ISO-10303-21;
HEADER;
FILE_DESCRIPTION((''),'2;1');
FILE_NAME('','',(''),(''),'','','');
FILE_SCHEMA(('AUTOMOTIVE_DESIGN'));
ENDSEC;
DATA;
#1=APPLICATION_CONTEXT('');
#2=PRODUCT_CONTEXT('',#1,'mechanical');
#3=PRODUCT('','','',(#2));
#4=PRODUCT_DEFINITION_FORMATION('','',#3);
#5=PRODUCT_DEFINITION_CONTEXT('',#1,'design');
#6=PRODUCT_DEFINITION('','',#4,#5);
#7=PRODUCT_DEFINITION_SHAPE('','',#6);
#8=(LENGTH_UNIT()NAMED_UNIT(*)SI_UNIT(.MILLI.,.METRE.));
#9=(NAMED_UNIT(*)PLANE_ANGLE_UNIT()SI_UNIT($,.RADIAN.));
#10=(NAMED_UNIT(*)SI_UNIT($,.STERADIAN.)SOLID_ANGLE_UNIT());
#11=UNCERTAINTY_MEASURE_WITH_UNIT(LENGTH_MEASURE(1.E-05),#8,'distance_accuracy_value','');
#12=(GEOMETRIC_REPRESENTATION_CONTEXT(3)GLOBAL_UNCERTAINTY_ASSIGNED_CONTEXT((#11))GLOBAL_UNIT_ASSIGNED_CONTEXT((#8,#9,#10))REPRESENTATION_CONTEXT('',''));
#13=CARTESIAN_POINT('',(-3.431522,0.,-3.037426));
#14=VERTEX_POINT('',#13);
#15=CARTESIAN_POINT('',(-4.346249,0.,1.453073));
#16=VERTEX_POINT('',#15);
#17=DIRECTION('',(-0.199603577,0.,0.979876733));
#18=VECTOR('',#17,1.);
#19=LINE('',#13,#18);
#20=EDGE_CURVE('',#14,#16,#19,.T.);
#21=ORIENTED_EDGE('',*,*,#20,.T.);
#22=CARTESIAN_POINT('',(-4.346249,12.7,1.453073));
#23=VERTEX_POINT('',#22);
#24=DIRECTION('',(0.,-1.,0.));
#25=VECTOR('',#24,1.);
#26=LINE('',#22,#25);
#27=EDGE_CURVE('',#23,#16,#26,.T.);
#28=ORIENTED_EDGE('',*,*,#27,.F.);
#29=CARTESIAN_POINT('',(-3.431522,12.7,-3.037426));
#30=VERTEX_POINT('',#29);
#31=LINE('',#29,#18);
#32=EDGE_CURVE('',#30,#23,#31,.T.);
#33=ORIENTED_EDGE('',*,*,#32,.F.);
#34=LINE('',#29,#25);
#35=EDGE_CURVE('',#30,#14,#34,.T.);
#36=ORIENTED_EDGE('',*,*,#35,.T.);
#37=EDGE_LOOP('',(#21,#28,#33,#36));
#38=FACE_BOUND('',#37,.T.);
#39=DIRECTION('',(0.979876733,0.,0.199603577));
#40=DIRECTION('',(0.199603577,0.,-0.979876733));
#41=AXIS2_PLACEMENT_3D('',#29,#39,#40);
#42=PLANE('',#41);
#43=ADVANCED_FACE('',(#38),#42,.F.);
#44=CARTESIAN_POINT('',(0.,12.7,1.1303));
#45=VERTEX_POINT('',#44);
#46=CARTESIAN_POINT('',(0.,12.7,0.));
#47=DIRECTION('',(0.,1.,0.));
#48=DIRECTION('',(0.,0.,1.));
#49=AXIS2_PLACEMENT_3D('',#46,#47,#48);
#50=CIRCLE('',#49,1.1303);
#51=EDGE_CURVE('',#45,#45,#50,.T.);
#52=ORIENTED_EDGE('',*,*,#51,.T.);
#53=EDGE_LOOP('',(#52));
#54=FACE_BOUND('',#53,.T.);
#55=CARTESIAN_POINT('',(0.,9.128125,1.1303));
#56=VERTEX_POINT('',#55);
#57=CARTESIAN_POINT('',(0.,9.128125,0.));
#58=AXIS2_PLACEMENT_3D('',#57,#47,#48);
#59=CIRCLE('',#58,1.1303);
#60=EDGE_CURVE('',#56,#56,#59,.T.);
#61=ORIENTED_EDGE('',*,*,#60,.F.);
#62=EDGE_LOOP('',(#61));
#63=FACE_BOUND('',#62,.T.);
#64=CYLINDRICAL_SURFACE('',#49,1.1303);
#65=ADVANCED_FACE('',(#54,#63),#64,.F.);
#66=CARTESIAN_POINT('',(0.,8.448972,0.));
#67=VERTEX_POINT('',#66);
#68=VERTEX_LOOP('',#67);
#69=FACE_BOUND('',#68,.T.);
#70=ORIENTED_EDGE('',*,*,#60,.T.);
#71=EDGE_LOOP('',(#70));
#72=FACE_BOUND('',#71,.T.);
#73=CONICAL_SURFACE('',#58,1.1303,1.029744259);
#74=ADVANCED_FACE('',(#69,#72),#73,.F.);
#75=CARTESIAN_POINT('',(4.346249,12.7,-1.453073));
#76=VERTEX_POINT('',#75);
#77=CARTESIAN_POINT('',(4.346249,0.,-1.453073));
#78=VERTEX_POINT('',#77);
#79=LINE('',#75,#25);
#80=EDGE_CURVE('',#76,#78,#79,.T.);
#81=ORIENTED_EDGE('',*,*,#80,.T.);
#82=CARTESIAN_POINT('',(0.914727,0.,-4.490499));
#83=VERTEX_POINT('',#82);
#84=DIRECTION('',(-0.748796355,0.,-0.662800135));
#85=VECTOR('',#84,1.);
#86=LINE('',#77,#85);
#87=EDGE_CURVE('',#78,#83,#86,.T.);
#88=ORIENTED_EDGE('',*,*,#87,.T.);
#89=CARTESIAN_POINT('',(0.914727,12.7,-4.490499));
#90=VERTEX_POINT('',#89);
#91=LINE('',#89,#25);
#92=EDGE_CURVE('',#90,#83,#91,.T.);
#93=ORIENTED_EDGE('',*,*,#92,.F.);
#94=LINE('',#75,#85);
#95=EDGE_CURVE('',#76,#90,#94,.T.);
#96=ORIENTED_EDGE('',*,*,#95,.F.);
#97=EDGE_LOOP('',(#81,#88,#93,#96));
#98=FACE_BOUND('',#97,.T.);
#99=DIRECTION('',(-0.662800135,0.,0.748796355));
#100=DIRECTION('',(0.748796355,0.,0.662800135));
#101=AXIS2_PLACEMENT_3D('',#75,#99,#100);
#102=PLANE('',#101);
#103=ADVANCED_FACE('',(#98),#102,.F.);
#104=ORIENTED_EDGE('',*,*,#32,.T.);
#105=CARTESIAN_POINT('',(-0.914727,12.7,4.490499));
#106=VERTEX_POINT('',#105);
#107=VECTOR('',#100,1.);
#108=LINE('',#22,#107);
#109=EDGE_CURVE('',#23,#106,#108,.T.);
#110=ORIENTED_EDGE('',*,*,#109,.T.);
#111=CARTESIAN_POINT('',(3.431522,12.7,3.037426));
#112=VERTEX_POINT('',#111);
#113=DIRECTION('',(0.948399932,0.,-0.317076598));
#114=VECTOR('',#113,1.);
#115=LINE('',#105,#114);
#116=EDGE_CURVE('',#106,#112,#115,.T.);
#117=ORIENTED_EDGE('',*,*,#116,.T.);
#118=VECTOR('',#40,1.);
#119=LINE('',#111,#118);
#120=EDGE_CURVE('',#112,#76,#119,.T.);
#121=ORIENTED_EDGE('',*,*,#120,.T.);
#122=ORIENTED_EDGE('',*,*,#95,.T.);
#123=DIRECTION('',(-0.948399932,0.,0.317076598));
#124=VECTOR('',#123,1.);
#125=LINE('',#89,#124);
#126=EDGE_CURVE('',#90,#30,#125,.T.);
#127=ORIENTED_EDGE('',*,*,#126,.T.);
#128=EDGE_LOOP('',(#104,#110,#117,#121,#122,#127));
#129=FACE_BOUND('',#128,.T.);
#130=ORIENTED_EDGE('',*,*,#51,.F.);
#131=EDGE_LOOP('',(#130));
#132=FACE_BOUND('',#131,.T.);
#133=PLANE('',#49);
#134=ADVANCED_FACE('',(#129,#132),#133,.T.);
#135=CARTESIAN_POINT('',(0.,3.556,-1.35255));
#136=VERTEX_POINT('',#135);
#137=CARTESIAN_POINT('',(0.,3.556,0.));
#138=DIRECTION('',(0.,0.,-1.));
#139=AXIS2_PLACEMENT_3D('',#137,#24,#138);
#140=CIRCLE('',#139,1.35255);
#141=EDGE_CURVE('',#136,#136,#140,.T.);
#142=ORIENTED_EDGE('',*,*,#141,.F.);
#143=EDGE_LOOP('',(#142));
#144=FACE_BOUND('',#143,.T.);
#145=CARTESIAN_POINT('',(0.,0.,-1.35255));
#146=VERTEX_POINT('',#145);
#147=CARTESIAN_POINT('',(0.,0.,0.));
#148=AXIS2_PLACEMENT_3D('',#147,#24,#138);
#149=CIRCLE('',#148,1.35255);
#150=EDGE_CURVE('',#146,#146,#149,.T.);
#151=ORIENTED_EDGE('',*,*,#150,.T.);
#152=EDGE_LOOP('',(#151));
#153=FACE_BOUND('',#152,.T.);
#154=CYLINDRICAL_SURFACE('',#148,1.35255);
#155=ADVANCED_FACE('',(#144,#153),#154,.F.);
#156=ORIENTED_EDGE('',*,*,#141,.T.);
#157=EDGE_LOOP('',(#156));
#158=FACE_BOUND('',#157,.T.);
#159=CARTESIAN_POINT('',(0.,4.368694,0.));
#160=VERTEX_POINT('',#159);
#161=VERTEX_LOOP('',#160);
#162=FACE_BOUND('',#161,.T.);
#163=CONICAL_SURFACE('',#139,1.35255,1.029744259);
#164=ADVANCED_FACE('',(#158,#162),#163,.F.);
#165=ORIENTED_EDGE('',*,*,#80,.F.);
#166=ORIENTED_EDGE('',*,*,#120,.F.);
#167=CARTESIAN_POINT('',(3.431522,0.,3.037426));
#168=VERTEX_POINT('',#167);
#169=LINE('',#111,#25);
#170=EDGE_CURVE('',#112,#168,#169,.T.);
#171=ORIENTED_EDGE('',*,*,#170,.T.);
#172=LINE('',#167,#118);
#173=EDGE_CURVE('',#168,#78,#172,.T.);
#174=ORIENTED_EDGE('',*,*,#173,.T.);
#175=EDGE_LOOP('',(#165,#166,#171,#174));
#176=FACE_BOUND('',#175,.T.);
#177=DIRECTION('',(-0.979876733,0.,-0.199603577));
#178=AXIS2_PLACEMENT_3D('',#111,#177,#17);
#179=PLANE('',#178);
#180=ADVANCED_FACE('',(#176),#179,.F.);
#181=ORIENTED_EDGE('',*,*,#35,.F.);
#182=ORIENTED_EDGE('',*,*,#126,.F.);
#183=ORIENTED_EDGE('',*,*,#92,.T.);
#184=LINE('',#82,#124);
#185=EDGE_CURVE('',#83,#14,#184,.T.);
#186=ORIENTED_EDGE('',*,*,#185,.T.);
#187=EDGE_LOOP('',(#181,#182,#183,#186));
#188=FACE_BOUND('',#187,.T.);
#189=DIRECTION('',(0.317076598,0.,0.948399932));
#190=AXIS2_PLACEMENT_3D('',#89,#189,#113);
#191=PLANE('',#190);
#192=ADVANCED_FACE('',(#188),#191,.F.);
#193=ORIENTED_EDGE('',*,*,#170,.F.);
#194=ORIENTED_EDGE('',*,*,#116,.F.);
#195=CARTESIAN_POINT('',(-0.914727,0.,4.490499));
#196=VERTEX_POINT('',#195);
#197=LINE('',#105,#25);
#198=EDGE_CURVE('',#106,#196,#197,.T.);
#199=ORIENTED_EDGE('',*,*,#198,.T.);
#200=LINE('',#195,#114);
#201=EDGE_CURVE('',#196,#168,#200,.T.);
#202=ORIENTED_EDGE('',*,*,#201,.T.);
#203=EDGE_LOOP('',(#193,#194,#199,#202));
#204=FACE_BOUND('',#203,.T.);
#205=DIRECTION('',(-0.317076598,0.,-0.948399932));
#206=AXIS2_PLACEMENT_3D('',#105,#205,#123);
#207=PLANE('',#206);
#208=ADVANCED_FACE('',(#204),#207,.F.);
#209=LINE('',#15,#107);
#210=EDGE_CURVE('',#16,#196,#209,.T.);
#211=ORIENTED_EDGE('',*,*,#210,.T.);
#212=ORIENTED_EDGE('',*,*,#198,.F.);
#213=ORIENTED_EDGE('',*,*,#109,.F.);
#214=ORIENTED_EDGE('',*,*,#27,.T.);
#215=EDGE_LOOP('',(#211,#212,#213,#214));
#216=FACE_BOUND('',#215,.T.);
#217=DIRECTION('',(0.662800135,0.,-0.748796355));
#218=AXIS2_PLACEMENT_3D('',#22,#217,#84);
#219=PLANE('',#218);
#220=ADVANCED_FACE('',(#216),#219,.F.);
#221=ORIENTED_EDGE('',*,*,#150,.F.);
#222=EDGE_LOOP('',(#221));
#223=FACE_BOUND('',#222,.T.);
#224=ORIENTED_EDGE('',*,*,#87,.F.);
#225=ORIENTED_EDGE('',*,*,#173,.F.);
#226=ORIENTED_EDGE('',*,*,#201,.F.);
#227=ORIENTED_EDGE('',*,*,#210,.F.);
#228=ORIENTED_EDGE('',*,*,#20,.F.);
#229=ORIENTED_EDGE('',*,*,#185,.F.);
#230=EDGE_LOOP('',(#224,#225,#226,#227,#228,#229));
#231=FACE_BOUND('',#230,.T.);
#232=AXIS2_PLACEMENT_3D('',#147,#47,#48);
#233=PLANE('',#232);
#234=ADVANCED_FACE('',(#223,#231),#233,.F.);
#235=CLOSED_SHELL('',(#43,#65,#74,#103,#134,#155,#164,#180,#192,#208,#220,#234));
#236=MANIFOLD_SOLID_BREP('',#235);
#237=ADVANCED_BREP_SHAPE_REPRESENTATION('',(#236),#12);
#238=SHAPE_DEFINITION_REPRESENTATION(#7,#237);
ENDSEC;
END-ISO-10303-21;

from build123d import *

# Parameters (mm, degrees)
BOSS_EXTRUDE1_DEPTH       = 12.7
F_4_40_TAPPED_HOLE1_D     = 2.2606
F_4_40_TAPPED_HOLE1_DEPTH = 3.571875
F_4_40_TAPPED_HOLE1_TIP   = 0.679152758
F_6_32_TAPPED_HOLE1_D     = 2.7051
F_6_32_TAPPED_HOLE1_DEPTH = 3.556
F_6_32_TAPPED_HOLE1_TIP   = 0.81269403


with BuildPart() as part:
    # Sketch1 → Boss-Extrude1 (new body)
    with BuildSketch(Plane(origin=(0, 0, 0), x_dir=(1, 0, 0), z_dir=(0, 1, 0))):
        Polygon((3.431522356, -3.037425951), (4.346249213, 1.453072558), (0.914726858, 4.490498509), (-3.431522356, 3.037425951), (-4.346249213, -1.453072558), (-0.914726858, -4.490498509), align=None)
    extrude(amount=BOSS_EXTRUDE1_DEPTH)

    # #4-40 Tapped Hole1
    with Locations(Plane(origin=(0, 12.7, 0), x_dir=(1, 0, 0), z_dir=(0, 1, 0))):
        with Locations((0, 0)):
            Hole(F_4_40_TAPPED_HOLE1_D / 2, depth=F_4_40_TAPPED_HOLE1_DEPTH)
            with Locations((0, 0, -(F_4_40_TAPPED_HOLE1_DEPTH + F_4_40_TAPPED_HOLE1_TIP / 2))):  # 118° drill point
                Cone(0, F_4_40_TAPPED_HOLE1_D / 2, F_4_40_TAPPED_HOLE1_TIP, mode=Mode.SUBTRACT)

    # #6-32 Tapped Hole1
    with Locations(Plane(origin=(0, 0, 0), x_dir=(-1, 0, 0), z_dir=(0, -1, 0))):
        with Locations((0, 0)):
            Hole(F_6_32_TAPPED_HOLE1_D / 2, depth=F_6_32_TAPPED_HOLE1_DEPTH)
            with Locations((0, 0, -(F_6_32_TAPPED_HOLE1_DEPTH + F_6_32_TAPPED_HOLE1_TIP / 2))):  # 118° drill point
                Cone(0, F_6_32_TAPPED_HOLE1_D / 2, F_6_32_TAPPED_HOLE1_TIP, mode=Mode.SUBTRACT)


solid = part.part
